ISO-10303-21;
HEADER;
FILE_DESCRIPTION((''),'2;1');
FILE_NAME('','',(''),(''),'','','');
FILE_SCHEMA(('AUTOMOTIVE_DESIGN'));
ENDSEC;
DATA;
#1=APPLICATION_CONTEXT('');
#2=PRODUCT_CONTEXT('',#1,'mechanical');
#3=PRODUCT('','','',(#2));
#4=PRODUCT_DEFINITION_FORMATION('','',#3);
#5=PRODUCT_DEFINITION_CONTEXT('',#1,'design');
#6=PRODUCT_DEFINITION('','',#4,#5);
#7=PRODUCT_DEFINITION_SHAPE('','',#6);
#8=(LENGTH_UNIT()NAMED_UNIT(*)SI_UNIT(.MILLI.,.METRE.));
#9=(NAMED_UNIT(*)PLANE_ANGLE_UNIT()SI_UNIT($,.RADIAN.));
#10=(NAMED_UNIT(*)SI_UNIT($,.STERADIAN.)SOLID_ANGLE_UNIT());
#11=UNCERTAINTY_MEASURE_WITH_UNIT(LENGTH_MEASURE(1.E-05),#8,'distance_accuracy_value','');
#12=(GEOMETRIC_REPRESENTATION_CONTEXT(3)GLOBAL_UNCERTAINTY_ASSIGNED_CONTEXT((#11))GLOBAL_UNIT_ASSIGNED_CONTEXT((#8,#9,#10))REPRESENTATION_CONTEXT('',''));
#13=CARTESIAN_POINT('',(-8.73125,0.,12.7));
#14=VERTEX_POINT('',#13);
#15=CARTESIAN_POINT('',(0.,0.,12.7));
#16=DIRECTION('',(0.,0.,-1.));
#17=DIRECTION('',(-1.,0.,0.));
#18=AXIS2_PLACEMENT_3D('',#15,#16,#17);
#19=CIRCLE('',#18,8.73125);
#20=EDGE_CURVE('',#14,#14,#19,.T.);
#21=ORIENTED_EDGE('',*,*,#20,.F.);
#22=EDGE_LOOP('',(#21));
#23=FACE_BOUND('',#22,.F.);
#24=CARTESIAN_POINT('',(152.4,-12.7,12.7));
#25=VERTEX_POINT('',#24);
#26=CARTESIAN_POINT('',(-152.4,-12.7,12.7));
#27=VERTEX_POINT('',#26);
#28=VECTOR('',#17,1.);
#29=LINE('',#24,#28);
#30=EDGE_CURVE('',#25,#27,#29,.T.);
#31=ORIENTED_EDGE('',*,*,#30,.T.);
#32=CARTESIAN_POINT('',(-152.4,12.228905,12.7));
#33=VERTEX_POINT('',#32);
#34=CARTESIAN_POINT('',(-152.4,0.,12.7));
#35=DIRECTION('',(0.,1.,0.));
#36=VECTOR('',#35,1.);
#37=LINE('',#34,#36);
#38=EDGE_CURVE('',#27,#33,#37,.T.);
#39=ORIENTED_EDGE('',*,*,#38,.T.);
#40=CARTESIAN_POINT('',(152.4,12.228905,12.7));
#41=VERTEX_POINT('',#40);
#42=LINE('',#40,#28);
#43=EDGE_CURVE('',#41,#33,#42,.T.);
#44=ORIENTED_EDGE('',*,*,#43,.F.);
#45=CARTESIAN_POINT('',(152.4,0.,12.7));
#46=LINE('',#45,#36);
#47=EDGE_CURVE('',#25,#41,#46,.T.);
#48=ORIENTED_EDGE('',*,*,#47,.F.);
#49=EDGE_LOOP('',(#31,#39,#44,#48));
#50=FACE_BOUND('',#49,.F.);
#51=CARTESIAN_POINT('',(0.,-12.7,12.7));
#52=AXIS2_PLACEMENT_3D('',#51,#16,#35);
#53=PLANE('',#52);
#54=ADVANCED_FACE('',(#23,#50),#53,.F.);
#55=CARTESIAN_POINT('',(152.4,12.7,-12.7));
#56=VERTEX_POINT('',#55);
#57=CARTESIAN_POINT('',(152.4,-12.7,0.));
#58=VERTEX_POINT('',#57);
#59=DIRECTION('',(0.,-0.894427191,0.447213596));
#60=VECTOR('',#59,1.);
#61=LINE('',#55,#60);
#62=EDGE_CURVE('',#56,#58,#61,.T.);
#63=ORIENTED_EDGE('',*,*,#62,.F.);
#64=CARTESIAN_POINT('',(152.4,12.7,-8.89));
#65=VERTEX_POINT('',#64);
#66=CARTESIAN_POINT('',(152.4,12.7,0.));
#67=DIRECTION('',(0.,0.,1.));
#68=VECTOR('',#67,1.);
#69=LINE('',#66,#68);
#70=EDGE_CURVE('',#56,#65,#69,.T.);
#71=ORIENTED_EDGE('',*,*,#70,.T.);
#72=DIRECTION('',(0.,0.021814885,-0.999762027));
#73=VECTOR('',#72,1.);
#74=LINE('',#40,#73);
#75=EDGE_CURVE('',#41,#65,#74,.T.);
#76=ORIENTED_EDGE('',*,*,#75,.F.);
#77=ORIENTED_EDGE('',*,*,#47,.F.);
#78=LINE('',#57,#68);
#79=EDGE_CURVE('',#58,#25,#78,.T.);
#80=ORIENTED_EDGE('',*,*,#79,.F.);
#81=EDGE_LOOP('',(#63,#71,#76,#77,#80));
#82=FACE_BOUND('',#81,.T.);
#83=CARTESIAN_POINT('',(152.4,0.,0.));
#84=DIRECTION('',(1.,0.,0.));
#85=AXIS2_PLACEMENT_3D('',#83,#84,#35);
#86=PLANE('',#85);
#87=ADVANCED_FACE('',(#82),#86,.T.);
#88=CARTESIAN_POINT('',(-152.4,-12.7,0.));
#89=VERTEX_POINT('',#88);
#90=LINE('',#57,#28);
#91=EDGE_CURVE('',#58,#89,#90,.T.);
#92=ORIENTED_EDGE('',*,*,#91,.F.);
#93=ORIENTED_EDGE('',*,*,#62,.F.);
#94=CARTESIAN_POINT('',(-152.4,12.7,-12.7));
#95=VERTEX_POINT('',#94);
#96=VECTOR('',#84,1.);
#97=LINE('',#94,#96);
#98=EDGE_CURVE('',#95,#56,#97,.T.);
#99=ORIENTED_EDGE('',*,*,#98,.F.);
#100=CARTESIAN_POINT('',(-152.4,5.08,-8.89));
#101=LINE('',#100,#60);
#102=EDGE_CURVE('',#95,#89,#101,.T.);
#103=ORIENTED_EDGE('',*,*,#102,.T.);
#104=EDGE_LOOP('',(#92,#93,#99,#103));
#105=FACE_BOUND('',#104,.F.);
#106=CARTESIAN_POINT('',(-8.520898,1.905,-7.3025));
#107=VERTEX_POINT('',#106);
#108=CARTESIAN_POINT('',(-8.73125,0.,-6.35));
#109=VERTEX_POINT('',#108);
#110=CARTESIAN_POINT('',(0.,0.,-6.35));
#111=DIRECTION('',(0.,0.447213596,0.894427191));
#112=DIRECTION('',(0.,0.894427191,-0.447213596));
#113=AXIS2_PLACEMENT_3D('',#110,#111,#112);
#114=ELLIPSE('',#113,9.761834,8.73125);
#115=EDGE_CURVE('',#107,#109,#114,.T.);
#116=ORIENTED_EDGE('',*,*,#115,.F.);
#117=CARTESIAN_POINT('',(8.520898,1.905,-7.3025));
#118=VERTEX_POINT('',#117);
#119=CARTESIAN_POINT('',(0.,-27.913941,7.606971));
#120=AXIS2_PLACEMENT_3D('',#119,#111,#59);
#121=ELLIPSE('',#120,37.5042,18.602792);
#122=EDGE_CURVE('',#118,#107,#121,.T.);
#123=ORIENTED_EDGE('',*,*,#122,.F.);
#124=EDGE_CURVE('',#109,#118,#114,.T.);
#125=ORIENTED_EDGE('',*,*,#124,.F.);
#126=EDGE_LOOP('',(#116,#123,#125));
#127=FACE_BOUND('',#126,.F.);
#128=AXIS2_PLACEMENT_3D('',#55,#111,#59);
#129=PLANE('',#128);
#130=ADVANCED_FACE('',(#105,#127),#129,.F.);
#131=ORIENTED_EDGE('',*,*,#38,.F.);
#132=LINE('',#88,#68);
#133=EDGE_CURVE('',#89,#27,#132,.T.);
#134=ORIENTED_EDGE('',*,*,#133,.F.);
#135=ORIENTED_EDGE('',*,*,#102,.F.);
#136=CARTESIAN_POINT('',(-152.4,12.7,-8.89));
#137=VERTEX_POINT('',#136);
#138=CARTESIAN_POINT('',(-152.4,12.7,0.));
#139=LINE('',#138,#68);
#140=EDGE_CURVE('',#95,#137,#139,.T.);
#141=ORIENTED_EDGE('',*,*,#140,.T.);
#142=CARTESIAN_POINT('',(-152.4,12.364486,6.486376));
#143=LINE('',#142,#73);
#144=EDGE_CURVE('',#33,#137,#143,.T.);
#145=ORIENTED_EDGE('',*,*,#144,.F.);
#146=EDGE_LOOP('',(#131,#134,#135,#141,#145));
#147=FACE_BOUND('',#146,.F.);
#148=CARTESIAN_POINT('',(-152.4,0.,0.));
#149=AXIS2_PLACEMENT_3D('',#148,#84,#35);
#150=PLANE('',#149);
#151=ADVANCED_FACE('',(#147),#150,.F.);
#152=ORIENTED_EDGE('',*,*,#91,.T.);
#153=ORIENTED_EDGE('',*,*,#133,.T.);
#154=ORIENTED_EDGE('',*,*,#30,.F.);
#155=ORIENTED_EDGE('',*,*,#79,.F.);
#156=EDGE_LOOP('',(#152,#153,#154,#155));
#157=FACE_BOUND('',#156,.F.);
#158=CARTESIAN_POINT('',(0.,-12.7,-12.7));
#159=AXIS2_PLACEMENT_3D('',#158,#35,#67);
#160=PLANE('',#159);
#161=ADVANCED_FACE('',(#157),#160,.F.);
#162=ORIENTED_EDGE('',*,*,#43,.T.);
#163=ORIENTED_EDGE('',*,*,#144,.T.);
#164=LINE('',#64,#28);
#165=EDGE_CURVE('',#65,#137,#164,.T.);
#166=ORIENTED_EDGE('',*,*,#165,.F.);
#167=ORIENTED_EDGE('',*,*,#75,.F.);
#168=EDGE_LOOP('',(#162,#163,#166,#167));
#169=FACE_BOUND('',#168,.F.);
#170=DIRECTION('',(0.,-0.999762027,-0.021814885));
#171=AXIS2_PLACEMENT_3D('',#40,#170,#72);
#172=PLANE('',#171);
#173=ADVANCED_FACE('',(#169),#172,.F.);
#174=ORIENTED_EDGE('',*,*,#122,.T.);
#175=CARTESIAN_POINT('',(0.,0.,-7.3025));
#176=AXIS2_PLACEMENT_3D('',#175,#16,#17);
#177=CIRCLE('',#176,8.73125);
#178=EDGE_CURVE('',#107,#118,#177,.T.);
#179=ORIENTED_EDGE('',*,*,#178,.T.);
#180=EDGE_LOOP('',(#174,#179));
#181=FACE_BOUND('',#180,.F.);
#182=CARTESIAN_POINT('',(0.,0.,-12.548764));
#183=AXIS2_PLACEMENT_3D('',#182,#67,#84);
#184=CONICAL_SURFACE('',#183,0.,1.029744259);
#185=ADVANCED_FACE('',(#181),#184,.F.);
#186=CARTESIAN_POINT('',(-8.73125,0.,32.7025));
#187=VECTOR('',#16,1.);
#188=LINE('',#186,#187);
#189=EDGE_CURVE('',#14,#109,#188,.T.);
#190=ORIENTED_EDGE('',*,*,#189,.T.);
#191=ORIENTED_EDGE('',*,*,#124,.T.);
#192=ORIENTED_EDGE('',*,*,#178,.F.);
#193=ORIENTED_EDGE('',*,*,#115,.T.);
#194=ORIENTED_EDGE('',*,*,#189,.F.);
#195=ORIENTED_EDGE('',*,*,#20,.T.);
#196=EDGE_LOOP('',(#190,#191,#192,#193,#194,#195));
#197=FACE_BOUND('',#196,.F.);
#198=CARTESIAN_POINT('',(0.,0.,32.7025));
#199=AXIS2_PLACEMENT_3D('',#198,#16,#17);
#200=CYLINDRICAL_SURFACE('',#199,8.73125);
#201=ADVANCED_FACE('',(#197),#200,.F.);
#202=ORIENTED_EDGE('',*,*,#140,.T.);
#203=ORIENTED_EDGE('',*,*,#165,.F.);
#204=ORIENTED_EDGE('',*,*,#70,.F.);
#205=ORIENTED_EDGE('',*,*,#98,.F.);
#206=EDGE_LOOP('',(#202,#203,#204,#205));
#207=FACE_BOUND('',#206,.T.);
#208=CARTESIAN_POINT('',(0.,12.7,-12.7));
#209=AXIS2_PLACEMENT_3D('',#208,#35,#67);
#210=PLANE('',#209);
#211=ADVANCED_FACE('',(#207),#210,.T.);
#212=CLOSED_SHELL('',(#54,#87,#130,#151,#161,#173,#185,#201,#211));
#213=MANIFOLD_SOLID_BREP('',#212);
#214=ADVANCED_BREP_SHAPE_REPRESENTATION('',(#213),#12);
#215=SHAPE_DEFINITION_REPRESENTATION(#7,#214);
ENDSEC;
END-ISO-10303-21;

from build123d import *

# Parameters (mm, degrees)
F0_W     = 25.4
F0_H     = 25.4
F1_DEPTH = 152.4
F3_D     = 17.4625
F3_DEPTH = 20.0025
F3_TIP   = 5.2462642799
F5_DEPTH = 304.801
F7_DEPTH = 304.801


with BuildPart() as f1:
    # F0 (on Right) → F1 (new body, symmetric)
    with BuildSketch(Plane.YZ):
        Rectangle(F0_W, F0_H)
    extrude(amount=F1_DEPTH, both=True)

    # F3
    with Locations(Plane.XY.offset(12.7)):
        with Locations((0, 0)):
            Hole(F3_D / 2, depth=F3_DEPTH)
            with Locations((0, 0, -(F3_DEPTH + F3_TIP / 2))):  # 118° drill point
                Cone(0, F3_D / 2, F3_TIP, mode=Mode.SUBTRACT)

    # F4 (on face) → F5 (cut, through all)
    with BuildSketch(Plane.YZ.offset(152.4)):
        Polygon((12.7, -12.7), (-12.7, 0), (-12.7, -12.7), align=None)
    extrude(amount=-F5_DEPTH, mode=Mode.SUBTRACT)

    # F6 (on face) → F7 (cut, through all)
    with BuildSketch(Plane.YZ.offset(152.4)):
        Polygon((12.2289045241, 12.7), (12.7, -8.89), (12.7, 12.7), align=None)
    extrude(amount=-F7_DEPTH, mode=Mode.SUBTRACT)


solid = f1.part
